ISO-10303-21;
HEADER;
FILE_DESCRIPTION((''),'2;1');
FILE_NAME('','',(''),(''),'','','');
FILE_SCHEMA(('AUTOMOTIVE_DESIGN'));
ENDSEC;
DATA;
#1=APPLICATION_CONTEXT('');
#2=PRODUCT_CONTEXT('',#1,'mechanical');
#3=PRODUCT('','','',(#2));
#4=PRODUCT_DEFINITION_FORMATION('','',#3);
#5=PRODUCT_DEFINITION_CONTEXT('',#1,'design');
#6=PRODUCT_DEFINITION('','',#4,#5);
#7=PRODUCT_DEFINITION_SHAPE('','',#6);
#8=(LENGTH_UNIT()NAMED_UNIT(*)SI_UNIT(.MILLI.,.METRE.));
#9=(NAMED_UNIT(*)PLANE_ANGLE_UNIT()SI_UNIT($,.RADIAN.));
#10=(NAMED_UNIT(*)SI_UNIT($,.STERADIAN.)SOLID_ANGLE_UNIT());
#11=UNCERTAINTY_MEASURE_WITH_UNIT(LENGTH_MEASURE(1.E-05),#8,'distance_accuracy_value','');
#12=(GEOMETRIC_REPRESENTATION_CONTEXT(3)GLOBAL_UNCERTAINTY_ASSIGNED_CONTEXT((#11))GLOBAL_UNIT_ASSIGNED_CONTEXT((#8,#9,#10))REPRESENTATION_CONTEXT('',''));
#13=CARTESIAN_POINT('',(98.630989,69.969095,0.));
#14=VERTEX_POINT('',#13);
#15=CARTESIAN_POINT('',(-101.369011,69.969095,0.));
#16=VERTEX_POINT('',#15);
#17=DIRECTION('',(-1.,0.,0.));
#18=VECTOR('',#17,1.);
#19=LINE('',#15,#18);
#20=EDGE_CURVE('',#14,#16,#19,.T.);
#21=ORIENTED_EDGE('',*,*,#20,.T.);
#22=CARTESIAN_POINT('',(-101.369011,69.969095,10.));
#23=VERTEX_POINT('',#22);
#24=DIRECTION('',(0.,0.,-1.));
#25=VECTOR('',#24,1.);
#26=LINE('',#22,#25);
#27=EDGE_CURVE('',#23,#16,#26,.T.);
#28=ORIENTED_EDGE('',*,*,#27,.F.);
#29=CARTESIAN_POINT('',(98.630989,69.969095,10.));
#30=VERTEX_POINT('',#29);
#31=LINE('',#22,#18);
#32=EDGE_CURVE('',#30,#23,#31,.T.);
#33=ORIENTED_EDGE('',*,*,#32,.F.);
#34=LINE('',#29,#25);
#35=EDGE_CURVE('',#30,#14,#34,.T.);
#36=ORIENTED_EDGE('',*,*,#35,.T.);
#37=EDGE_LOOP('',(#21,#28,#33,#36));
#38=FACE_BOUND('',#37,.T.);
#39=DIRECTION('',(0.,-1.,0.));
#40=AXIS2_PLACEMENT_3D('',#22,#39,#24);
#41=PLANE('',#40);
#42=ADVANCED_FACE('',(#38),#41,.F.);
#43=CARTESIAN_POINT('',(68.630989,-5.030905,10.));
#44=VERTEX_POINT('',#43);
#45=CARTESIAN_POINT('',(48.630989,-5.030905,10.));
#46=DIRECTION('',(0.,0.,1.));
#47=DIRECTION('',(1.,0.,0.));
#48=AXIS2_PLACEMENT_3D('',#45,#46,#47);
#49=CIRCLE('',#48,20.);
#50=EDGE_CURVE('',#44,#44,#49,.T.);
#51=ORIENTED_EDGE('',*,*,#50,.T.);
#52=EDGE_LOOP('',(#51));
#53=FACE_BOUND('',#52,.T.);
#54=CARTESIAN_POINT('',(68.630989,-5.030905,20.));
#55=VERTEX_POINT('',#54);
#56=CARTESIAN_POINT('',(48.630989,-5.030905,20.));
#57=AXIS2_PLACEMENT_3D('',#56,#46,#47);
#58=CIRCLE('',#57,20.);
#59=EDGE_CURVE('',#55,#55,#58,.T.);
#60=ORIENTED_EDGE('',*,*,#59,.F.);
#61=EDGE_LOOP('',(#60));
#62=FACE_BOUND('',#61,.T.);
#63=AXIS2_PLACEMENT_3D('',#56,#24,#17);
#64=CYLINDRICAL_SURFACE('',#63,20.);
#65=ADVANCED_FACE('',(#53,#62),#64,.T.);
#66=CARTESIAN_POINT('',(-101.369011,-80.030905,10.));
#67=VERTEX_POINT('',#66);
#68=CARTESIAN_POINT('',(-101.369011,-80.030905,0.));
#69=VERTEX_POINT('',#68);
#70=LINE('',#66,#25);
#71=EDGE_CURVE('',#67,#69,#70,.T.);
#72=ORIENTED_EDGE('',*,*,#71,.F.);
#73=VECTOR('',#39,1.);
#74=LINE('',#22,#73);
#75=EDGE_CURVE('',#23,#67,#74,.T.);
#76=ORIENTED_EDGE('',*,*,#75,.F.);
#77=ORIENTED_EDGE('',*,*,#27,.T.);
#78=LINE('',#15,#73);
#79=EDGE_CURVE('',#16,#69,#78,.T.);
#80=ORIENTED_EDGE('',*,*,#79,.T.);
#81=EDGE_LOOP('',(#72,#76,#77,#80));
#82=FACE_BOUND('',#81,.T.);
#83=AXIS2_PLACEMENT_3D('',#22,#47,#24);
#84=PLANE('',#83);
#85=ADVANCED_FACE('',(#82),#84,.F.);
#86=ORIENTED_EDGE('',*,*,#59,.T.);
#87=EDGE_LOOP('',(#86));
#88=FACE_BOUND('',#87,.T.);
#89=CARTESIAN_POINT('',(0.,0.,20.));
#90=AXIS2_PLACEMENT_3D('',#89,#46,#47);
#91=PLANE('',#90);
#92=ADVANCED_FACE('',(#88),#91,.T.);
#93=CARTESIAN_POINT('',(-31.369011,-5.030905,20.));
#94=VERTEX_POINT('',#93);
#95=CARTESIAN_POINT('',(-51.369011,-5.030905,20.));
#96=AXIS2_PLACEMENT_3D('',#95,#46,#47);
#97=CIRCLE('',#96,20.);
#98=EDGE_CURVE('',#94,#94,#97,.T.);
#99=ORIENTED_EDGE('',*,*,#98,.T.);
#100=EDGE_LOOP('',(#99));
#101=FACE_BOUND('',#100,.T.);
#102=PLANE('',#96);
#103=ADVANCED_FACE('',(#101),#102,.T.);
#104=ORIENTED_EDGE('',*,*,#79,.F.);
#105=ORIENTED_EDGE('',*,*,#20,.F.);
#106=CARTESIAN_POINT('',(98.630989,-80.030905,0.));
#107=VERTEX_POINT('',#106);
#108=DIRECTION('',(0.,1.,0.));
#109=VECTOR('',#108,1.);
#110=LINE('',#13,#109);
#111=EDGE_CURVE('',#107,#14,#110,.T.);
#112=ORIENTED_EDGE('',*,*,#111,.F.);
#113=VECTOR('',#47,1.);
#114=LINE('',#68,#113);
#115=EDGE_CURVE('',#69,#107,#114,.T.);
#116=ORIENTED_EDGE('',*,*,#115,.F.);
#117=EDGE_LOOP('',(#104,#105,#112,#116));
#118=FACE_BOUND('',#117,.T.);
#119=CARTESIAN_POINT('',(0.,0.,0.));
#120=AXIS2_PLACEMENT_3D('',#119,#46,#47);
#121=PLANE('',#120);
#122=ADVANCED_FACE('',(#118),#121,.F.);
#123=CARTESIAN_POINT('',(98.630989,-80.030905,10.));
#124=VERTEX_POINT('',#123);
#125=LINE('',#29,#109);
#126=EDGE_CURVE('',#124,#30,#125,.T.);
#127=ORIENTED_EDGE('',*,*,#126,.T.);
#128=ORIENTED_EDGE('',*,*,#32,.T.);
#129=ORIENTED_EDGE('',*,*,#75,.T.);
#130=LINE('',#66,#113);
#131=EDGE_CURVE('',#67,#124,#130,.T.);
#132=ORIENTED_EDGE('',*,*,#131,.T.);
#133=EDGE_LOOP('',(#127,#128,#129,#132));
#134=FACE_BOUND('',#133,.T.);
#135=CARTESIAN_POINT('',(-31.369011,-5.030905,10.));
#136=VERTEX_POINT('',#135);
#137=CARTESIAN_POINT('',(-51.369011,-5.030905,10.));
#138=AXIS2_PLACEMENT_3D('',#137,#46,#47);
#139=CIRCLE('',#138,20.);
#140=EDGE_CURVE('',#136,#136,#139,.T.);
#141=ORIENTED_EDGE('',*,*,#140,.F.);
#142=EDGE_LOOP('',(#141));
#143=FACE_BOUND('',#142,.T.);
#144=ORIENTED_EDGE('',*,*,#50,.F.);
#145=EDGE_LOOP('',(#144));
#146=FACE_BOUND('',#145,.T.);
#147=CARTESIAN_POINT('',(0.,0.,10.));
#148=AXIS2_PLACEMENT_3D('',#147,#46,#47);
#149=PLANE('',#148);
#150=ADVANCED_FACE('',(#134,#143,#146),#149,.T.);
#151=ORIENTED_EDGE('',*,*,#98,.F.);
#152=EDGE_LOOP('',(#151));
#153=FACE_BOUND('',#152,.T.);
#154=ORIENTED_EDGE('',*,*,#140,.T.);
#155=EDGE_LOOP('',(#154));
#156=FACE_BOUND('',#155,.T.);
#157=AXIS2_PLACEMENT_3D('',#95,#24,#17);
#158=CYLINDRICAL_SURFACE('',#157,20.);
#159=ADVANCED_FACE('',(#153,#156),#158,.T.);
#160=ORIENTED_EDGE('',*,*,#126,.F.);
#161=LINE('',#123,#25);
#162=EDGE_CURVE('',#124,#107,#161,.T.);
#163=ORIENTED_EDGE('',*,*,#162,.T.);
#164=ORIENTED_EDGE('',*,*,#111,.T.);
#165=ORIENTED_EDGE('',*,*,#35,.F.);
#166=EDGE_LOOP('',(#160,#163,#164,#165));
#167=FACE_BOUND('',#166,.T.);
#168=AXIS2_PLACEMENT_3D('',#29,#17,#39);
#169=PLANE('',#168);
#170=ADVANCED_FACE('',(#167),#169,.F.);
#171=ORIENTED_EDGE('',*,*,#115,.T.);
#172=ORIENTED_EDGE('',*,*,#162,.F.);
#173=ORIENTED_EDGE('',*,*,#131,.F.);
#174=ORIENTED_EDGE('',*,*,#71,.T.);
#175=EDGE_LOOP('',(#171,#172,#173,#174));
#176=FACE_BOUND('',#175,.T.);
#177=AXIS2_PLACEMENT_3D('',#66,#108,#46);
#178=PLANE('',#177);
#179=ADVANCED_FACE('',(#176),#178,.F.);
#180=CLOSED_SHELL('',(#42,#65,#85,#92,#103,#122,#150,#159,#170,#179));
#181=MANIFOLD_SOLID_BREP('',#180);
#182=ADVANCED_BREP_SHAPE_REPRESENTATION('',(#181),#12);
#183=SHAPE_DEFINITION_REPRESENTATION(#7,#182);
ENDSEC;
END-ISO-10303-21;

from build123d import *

# Parameters (mm, degrees)
SKETCH1_W           = 200
SKETCH1_H           = 150
BOSS_EXTRUDE2_DEPTH = 10
SKETCH2_R           = 20
BOSS_EXTRUDE3_DEPTH = 10


with BuildPart() as part:
    # Sketch1 → Boss-Extrude2 (new body)
    with BuildSketch(Plane.XY):
        with Locations((-1.369011051, -5.030905367)):
            Rectangle(SKETCH1_W, SKETCH1_H)
    extrude(amount=BOSS_EXTRUDE2_DEPTH)

    # Sketch2 → Boss-Extrude3 (add)
    with BuildSketch(Plane.XY.offset(10)):
        with Locations((-51.369011051, -5.030905367)):
            Circle(SKETCH2_R)
        with Locations((48.630988949, -5.030905367)):
            Circle(SKETCH2_R)
    extrude(amount=BOSS_EXTRUDE3_DEPTH)


solid = part.part
